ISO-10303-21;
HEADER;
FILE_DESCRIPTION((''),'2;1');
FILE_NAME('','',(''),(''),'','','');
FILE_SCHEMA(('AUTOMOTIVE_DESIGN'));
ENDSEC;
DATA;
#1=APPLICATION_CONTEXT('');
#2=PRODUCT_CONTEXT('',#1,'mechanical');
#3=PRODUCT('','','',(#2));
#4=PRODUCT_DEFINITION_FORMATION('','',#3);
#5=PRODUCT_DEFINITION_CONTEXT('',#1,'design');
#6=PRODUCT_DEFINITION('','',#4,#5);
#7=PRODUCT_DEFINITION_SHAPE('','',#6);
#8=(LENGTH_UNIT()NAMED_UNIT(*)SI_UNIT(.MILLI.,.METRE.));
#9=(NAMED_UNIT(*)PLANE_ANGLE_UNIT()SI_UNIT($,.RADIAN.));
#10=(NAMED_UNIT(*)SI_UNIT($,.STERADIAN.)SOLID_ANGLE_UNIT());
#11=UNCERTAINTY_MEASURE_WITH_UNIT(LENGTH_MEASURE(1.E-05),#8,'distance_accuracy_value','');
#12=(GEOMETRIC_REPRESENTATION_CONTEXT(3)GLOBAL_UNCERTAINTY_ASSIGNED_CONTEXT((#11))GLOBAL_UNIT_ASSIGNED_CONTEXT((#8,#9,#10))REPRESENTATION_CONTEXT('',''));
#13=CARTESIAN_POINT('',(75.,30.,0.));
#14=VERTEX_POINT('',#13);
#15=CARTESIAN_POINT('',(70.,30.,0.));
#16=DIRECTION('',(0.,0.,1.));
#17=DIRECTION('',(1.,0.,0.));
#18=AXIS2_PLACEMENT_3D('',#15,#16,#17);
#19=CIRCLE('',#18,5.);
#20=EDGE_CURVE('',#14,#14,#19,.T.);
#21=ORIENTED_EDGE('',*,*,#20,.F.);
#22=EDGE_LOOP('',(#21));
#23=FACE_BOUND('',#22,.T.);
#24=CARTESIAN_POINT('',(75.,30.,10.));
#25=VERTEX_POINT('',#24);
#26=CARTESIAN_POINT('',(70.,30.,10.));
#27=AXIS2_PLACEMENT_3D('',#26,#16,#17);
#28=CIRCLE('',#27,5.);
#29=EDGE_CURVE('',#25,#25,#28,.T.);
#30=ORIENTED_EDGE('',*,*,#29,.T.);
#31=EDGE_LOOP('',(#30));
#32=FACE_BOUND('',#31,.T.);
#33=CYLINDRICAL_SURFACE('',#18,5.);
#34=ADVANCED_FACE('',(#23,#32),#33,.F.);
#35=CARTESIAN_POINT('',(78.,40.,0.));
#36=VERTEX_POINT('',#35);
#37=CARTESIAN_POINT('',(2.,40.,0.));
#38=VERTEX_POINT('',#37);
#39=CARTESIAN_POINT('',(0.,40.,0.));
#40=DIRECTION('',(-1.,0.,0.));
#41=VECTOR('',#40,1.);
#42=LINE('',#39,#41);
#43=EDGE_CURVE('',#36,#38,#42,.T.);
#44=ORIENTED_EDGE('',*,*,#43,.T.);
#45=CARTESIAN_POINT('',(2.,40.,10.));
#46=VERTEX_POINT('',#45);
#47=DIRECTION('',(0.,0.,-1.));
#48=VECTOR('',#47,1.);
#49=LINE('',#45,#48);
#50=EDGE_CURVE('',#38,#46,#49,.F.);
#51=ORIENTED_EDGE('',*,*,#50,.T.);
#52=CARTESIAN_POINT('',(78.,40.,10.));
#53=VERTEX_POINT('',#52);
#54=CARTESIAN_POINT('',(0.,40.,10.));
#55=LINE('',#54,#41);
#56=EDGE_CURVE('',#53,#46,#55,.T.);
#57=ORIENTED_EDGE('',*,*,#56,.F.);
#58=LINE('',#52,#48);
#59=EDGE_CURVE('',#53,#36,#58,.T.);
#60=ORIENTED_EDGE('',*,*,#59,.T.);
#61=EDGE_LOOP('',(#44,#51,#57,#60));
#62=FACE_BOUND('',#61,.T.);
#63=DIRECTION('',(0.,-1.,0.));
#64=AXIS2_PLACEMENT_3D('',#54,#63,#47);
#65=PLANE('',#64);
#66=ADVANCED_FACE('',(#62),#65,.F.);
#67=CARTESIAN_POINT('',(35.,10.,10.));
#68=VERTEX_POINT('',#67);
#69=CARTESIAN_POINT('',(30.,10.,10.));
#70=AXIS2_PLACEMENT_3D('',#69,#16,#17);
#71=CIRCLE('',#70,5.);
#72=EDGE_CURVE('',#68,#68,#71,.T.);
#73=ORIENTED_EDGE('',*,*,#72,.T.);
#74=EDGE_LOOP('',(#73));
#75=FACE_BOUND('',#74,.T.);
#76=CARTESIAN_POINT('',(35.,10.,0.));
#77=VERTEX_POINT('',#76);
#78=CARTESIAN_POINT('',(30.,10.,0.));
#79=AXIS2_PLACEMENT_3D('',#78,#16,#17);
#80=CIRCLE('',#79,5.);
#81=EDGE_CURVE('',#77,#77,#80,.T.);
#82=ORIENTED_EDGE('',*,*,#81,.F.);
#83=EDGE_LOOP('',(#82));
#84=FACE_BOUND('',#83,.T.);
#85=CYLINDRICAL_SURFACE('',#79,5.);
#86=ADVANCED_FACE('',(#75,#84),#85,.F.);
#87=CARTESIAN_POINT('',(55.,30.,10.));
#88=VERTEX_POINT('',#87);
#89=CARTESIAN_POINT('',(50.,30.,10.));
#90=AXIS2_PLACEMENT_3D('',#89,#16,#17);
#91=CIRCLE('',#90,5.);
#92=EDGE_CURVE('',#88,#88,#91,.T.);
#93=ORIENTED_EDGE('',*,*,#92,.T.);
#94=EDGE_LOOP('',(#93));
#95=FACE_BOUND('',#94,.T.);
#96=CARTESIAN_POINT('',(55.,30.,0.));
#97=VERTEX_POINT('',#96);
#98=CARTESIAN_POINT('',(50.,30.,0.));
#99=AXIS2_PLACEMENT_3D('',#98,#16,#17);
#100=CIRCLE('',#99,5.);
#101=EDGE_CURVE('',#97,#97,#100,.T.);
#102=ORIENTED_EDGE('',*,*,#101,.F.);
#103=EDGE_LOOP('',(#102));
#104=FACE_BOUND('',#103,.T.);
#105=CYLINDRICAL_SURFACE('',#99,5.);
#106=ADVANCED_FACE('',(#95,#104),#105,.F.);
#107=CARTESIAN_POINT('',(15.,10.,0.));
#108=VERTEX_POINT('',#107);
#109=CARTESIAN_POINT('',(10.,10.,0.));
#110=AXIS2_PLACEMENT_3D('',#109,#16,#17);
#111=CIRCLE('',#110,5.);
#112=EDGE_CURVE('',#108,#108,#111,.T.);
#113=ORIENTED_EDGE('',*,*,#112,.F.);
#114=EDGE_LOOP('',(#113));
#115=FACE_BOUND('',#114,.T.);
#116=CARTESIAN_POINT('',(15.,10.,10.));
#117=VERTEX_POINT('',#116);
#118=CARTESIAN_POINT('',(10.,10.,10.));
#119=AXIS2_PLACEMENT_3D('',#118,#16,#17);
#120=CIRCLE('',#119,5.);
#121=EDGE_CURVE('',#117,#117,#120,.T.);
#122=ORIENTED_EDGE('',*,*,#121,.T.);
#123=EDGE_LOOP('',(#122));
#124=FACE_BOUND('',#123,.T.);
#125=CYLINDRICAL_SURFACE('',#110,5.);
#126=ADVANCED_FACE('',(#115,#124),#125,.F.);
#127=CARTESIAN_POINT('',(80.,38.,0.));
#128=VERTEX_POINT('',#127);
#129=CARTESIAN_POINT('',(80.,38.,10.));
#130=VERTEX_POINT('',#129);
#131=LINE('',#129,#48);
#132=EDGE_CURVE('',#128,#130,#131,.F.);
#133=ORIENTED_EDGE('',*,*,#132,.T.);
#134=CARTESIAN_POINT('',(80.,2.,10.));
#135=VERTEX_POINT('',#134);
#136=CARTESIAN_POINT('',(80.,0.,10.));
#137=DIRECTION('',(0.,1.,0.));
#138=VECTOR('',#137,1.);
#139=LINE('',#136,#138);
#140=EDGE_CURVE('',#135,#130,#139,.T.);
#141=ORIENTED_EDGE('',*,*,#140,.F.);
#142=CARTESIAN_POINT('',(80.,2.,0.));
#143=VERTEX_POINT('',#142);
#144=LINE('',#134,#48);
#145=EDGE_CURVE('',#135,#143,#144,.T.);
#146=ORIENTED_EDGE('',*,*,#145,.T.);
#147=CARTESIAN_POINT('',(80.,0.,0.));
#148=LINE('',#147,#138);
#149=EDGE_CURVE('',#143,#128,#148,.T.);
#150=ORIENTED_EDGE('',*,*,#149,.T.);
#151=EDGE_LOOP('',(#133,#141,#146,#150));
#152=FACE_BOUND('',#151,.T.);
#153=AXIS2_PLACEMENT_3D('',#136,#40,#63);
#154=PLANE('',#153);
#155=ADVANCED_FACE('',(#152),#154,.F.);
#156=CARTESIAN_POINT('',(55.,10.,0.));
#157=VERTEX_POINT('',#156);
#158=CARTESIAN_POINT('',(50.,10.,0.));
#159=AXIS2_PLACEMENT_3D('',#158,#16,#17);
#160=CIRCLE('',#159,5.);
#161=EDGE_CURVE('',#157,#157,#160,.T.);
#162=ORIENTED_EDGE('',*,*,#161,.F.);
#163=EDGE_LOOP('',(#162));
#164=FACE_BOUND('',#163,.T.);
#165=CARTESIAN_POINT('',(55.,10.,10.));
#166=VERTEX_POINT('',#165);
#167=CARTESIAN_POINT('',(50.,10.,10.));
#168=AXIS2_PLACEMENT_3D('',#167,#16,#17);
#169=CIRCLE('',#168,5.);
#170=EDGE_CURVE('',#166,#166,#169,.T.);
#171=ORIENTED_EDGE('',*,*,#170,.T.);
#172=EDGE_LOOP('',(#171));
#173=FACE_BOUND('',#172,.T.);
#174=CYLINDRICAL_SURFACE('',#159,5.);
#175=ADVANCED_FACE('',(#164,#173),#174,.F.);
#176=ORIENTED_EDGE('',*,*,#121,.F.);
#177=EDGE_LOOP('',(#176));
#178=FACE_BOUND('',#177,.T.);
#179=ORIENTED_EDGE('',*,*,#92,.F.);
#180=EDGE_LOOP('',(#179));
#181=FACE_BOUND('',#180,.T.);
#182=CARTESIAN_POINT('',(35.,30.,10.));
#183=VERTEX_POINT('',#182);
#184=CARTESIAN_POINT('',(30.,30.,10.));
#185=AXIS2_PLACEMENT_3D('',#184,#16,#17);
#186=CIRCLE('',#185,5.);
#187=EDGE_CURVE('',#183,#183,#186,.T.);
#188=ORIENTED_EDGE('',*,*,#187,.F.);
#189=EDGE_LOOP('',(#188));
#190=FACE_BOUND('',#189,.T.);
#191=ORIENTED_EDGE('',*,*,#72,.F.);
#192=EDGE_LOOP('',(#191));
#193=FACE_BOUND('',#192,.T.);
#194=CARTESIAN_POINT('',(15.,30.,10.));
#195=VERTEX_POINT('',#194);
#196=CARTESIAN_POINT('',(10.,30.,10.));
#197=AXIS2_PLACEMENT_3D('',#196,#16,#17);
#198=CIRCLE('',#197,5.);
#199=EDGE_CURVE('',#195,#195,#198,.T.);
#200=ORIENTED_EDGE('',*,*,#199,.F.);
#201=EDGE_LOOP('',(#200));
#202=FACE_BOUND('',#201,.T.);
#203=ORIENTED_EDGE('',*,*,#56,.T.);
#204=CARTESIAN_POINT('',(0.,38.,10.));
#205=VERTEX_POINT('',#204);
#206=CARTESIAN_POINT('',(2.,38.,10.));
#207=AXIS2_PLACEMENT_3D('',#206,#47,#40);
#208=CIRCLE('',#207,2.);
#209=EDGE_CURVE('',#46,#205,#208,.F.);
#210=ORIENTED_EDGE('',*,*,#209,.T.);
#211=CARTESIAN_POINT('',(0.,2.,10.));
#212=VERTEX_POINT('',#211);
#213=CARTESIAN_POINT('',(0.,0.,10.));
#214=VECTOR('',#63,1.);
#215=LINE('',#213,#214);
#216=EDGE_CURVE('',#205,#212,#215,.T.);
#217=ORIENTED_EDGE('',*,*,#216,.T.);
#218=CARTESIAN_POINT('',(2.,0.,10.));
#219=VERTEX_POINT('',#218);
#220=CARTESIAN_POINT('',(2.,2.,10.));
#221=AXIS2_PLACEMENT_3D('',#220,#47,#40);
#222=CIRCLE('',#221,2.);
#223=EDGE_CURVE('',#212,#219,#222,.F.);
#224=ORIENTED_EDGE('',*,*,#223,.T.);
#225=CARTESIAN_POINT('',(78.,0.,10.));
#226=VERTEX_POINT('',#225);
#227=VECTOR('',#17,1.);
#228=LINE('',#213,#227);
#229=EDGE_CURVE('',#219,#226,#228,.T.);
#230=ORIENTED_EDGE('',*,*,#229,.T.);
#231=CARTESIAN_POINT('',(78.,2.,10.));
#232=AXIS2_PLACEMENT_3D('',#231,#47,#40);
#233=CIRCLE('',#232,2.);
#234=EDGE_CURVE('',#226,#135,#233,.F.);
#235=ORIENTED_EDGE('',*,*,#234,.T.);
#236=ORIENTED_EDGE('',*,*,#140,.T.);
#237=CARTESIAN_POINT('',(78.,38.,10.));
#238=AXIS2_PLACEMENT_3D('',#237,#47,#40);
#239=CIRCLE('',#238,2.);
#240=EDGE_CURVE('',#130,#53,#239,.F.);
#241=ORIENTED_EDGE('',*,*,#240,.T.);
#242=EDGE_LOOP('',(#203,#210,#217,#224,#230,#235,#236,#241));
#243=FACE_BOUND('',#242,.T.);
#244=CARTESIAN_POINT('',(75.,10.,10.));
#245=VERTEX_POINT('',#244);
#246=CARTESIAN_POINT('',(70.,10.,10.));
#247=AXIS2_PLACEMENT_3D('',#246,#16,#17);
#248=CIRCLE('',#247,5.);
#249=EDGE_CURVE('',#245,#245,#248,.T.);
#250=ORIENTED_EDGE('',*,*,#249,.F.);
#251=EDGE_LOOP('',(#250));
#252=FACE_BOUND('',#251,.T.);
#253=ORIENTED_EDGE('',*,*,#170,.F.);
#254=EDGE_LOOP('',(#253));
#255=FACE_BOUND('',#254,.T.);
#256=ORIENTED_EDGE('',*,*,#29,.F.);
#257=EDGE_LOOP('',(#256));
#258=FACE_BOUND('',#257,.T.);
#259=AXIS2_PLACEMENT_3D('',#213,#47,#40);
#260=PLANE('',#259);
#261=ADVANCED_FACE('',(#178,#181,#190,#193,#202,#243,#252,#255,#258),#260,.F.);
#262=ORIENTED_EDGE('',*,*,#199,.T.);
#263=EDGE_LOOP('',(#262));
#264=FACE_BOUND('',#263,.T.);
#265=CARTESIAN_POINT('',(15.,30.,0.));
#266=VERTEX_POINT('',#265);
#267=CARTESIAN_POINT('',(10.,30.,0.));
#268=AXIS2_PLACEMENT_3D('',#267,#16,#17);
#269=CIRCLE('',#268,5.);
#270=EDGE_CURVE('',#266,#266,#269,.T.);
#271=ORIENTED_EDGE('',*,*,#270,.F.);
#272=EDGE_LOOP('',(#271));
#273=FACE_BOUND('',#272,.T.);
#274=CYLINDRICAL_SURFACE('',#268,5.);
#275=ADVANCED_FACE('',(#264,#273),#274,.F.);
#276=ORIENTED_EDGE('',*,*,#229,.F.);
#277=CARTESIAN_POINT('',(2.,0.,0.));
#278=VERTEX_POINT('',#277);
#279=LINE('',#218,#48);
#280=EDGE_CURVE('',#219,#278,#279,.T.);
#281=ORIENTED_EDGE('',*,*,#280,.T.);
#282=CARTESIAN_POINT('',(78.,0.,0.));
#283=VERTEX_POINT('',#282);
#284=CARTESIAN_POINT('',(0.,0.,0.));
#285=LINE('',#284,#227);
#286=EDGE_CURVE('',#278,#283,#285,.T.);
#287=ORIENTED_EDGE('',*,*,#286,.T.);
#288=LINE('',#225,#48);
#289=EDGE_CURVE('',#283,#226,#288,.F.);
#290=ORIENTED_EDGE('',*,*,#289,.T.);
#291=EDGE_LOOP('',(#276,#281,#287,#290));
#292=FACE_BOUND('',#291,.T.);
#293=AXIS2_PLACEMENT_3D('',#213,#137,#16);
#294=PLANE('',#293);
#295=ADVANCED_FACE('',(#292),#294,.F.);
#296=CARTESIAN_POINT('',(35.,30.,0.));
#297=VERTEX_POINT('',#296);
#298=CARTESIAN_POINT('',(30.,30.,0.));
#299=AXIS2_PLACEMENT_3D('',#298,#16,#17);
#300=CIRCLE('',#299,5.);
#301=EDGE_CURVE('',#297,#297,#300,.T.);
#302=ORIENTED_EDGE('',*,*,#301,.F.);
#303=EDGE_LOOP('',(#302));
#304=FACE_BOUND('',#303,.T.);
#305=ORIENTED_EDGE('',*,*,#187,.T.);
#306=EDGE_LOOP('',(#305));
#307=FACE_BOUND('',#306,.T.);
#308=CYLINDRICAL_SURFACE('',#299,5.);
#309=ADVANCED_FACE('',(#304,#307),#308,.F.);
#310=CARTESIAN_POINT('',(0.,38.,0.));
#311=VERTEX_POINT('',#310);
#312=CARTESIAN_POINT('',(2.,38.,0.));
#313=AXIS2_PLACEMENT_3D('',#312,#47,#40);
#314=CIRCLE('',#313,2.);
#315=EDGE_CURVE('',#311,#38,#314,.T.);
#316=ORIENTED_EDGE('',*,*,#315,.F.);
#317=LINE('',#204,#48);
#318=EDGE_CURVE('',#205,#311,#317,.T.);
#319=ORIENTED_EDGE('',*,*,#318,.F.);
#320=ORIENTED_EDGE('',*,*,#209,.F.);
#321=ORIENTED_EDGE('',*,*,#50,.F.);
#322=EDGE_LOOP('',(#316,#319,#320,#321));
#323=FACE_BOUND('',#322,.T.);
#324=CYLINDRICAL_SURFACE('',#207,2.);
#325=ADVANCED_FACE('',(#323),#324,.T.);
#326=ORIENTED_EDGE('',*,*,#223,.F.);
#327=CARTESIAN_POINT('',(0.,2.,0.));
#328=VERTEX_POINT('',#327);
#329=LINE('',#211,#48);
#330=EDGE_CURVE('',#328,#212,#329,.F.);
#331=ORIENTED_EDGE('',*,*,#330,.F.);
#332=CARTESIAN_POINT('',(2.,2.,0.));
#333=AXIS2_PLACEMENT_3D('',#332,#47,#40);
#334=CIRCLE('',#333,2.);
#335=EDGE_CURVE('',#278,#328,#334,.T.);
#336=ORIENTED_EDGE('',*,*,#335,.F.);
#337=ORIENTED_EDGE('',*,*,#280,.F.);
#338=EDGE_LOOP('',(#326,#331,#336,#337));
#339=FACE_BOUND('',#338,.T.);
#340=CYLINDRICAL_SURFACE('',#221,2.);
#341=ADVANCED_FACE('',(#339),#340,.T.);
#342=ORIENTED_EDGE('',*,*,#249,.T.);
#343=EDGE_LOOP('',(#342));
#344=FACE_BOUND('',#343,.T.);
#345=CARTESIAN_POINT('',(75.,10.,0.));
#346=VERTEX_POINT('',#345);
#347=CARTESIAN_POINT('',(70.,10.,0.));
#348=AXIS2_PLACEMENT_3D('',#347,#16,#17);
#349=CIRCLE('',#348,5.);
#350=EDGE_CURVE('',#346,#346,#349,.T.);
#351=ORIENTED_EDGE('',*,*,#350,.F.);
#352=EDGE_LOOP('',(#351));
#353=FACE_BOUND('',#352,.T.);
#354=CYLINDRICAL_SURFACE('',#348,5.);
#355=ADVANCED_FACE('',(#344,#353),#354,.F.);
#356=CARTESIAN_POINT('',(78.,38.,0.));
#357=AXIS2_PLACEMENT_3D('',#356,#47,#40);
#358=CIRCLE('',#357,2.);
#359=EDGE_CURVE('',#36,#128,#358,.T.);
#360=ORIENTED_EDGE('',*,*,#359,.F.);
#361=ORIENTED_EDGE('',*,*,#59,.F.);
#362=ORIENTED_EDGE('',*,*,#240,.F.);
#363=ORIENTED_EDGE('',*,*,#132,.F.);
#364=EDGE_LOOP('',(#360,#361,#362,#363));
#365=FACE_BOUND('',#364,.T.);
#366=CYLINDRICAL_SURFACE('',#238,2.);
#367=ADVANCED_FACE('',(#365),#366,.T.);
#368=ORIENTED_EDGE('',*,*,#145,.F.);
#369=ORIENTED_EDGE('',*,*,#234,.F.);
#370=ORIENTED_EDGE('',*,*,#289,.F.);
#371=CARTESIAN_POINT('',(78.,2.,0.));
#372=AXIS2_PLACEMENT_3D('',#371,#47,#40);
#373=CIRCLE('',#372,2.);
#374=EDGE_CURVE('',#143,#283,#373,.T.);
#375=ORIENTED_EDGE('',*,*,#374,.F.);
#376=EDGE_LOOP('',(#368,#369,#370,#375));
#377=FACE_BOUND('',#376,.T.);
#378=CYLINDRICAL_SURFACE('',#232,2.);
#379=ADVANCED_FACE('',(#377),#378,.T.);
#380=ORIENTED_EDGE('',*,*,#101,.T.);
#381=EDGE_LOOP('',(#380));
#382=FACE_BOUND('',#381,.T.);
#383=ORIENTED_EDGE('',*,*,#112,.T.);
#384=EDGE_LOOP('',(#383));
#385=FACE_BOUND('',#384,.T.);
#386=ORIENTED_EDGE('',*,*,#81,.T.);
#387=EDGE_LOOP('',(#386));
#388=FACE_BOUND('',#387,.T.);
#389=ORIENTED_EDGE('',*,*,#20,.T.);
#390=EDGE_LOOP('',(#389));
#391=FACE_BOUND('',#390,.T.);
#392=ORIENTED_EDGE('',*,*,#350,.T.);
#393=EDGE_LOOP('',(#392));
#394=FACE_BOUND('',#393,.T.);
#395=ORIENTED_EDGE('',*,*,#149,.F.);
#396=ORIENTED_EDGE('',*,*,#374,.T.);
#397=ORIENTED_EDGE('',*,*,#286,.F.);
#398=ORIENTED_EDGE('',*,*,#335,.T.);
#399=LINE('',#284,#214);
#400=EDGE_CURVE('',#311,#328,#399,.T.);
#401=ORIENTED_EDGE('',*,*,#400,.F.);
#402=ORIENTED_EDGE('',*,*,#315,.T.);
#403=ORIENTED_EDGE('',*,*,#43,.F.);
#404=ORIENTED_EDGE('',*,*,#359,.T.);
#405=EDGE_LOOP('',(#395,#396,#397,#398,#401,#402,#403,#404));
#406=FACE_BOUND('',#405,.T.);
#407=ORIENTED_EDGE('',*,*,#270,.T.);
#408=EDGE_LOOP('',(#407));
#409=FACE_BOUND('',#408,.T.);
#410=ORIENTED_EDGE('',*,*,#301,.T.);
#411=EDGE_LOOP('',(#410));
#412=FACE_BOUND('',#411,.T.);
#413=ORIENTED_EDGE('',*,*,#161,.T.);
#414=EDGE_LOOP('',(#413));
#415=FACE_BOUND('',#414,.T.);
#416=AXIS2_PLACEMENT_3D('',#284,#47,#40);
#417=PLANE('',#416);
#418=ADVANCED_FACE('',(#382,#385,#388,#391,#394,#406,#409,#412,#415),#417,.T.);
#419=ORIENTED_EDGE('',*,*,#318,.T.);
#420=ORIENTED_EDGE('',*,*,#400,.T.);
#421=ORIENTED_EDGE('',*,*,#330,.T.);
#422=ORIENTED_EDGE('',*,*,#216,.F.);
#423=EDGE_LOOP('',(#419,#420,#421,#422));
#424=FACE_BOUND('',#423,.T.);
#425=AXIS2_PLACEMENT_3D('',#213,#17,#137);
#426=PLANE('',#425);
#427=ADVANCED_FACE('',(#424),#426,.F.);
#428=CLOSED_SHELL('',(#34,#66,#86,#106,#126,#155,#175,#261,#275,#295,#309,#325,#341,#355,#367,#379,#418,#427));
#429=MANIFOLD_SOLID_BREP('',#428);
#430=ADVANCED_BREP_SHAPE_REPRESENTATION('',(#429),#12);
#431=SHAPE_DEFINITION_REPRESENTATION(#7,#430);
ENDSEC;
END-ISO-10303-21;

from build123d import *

# Parameters (mm, degrees)
SKETCH2_W            = 80
SKETCH2_H            = 40
BOSS_EXTRUDE2_DEPTH  = 10
SKETCH3_R            = 5
CUT_EXTRUDE1_DEPTH   = 11
LPATTERN2_COUNT      = 4
LPATTERN2_PITCH      = 20
LPATTERN2_COUNT_DIR2 = 2
LPATTERN2_PITCH_DIR2 = 20
FILLET1_R            = 2


with BuildPart() as part:
    # Sketch2 → Boss-Extrude2 (new body)
    with BuildSketch(Plane.XY):
        with Locations((40, 20)):
            Rectangle(SKETCH2_W, SKETCH2_H)
    extrude(amount=BOSS_EXTRUDE2_DEPTH)

    # Sketch3 → Cut-Extrude1 (cut, through all)
    with BuildSketch(Plane.XY.offset(10)):
        with Locations((10, 10)):
            Circle(SKETCH3_R)
    cut_extrude1 = extrude(amount=-CUT_EXTRUDE1_DEPTH, mode=Mode.SUBTRACT)

    # LPattern2: Cut-Extrude1 4 × 2
    with Locations(*[(i * LPATTERN2_PITCH, j * LPATTERN2_PITCH_DIR2, 0) for i in range(LPATTERN2_COUNT) for j in range(LPATTERN2_COUNT_DIR2) if (i, j) != (0, 0)]):
        add(cut_extrude1, mode=Mode.SUBTRACT)

    # Fillet1
    fillet1_edges = [part.edges().sort_by_distance(p)[0] for p in [
        (0, 40, 5),
        (80, 40, 5),
        (80, 0, 5),
        (0, 0, 5),
    ]]
    fillet(fillet1_edges, radius=FILLET1_R)


solid = part.part
